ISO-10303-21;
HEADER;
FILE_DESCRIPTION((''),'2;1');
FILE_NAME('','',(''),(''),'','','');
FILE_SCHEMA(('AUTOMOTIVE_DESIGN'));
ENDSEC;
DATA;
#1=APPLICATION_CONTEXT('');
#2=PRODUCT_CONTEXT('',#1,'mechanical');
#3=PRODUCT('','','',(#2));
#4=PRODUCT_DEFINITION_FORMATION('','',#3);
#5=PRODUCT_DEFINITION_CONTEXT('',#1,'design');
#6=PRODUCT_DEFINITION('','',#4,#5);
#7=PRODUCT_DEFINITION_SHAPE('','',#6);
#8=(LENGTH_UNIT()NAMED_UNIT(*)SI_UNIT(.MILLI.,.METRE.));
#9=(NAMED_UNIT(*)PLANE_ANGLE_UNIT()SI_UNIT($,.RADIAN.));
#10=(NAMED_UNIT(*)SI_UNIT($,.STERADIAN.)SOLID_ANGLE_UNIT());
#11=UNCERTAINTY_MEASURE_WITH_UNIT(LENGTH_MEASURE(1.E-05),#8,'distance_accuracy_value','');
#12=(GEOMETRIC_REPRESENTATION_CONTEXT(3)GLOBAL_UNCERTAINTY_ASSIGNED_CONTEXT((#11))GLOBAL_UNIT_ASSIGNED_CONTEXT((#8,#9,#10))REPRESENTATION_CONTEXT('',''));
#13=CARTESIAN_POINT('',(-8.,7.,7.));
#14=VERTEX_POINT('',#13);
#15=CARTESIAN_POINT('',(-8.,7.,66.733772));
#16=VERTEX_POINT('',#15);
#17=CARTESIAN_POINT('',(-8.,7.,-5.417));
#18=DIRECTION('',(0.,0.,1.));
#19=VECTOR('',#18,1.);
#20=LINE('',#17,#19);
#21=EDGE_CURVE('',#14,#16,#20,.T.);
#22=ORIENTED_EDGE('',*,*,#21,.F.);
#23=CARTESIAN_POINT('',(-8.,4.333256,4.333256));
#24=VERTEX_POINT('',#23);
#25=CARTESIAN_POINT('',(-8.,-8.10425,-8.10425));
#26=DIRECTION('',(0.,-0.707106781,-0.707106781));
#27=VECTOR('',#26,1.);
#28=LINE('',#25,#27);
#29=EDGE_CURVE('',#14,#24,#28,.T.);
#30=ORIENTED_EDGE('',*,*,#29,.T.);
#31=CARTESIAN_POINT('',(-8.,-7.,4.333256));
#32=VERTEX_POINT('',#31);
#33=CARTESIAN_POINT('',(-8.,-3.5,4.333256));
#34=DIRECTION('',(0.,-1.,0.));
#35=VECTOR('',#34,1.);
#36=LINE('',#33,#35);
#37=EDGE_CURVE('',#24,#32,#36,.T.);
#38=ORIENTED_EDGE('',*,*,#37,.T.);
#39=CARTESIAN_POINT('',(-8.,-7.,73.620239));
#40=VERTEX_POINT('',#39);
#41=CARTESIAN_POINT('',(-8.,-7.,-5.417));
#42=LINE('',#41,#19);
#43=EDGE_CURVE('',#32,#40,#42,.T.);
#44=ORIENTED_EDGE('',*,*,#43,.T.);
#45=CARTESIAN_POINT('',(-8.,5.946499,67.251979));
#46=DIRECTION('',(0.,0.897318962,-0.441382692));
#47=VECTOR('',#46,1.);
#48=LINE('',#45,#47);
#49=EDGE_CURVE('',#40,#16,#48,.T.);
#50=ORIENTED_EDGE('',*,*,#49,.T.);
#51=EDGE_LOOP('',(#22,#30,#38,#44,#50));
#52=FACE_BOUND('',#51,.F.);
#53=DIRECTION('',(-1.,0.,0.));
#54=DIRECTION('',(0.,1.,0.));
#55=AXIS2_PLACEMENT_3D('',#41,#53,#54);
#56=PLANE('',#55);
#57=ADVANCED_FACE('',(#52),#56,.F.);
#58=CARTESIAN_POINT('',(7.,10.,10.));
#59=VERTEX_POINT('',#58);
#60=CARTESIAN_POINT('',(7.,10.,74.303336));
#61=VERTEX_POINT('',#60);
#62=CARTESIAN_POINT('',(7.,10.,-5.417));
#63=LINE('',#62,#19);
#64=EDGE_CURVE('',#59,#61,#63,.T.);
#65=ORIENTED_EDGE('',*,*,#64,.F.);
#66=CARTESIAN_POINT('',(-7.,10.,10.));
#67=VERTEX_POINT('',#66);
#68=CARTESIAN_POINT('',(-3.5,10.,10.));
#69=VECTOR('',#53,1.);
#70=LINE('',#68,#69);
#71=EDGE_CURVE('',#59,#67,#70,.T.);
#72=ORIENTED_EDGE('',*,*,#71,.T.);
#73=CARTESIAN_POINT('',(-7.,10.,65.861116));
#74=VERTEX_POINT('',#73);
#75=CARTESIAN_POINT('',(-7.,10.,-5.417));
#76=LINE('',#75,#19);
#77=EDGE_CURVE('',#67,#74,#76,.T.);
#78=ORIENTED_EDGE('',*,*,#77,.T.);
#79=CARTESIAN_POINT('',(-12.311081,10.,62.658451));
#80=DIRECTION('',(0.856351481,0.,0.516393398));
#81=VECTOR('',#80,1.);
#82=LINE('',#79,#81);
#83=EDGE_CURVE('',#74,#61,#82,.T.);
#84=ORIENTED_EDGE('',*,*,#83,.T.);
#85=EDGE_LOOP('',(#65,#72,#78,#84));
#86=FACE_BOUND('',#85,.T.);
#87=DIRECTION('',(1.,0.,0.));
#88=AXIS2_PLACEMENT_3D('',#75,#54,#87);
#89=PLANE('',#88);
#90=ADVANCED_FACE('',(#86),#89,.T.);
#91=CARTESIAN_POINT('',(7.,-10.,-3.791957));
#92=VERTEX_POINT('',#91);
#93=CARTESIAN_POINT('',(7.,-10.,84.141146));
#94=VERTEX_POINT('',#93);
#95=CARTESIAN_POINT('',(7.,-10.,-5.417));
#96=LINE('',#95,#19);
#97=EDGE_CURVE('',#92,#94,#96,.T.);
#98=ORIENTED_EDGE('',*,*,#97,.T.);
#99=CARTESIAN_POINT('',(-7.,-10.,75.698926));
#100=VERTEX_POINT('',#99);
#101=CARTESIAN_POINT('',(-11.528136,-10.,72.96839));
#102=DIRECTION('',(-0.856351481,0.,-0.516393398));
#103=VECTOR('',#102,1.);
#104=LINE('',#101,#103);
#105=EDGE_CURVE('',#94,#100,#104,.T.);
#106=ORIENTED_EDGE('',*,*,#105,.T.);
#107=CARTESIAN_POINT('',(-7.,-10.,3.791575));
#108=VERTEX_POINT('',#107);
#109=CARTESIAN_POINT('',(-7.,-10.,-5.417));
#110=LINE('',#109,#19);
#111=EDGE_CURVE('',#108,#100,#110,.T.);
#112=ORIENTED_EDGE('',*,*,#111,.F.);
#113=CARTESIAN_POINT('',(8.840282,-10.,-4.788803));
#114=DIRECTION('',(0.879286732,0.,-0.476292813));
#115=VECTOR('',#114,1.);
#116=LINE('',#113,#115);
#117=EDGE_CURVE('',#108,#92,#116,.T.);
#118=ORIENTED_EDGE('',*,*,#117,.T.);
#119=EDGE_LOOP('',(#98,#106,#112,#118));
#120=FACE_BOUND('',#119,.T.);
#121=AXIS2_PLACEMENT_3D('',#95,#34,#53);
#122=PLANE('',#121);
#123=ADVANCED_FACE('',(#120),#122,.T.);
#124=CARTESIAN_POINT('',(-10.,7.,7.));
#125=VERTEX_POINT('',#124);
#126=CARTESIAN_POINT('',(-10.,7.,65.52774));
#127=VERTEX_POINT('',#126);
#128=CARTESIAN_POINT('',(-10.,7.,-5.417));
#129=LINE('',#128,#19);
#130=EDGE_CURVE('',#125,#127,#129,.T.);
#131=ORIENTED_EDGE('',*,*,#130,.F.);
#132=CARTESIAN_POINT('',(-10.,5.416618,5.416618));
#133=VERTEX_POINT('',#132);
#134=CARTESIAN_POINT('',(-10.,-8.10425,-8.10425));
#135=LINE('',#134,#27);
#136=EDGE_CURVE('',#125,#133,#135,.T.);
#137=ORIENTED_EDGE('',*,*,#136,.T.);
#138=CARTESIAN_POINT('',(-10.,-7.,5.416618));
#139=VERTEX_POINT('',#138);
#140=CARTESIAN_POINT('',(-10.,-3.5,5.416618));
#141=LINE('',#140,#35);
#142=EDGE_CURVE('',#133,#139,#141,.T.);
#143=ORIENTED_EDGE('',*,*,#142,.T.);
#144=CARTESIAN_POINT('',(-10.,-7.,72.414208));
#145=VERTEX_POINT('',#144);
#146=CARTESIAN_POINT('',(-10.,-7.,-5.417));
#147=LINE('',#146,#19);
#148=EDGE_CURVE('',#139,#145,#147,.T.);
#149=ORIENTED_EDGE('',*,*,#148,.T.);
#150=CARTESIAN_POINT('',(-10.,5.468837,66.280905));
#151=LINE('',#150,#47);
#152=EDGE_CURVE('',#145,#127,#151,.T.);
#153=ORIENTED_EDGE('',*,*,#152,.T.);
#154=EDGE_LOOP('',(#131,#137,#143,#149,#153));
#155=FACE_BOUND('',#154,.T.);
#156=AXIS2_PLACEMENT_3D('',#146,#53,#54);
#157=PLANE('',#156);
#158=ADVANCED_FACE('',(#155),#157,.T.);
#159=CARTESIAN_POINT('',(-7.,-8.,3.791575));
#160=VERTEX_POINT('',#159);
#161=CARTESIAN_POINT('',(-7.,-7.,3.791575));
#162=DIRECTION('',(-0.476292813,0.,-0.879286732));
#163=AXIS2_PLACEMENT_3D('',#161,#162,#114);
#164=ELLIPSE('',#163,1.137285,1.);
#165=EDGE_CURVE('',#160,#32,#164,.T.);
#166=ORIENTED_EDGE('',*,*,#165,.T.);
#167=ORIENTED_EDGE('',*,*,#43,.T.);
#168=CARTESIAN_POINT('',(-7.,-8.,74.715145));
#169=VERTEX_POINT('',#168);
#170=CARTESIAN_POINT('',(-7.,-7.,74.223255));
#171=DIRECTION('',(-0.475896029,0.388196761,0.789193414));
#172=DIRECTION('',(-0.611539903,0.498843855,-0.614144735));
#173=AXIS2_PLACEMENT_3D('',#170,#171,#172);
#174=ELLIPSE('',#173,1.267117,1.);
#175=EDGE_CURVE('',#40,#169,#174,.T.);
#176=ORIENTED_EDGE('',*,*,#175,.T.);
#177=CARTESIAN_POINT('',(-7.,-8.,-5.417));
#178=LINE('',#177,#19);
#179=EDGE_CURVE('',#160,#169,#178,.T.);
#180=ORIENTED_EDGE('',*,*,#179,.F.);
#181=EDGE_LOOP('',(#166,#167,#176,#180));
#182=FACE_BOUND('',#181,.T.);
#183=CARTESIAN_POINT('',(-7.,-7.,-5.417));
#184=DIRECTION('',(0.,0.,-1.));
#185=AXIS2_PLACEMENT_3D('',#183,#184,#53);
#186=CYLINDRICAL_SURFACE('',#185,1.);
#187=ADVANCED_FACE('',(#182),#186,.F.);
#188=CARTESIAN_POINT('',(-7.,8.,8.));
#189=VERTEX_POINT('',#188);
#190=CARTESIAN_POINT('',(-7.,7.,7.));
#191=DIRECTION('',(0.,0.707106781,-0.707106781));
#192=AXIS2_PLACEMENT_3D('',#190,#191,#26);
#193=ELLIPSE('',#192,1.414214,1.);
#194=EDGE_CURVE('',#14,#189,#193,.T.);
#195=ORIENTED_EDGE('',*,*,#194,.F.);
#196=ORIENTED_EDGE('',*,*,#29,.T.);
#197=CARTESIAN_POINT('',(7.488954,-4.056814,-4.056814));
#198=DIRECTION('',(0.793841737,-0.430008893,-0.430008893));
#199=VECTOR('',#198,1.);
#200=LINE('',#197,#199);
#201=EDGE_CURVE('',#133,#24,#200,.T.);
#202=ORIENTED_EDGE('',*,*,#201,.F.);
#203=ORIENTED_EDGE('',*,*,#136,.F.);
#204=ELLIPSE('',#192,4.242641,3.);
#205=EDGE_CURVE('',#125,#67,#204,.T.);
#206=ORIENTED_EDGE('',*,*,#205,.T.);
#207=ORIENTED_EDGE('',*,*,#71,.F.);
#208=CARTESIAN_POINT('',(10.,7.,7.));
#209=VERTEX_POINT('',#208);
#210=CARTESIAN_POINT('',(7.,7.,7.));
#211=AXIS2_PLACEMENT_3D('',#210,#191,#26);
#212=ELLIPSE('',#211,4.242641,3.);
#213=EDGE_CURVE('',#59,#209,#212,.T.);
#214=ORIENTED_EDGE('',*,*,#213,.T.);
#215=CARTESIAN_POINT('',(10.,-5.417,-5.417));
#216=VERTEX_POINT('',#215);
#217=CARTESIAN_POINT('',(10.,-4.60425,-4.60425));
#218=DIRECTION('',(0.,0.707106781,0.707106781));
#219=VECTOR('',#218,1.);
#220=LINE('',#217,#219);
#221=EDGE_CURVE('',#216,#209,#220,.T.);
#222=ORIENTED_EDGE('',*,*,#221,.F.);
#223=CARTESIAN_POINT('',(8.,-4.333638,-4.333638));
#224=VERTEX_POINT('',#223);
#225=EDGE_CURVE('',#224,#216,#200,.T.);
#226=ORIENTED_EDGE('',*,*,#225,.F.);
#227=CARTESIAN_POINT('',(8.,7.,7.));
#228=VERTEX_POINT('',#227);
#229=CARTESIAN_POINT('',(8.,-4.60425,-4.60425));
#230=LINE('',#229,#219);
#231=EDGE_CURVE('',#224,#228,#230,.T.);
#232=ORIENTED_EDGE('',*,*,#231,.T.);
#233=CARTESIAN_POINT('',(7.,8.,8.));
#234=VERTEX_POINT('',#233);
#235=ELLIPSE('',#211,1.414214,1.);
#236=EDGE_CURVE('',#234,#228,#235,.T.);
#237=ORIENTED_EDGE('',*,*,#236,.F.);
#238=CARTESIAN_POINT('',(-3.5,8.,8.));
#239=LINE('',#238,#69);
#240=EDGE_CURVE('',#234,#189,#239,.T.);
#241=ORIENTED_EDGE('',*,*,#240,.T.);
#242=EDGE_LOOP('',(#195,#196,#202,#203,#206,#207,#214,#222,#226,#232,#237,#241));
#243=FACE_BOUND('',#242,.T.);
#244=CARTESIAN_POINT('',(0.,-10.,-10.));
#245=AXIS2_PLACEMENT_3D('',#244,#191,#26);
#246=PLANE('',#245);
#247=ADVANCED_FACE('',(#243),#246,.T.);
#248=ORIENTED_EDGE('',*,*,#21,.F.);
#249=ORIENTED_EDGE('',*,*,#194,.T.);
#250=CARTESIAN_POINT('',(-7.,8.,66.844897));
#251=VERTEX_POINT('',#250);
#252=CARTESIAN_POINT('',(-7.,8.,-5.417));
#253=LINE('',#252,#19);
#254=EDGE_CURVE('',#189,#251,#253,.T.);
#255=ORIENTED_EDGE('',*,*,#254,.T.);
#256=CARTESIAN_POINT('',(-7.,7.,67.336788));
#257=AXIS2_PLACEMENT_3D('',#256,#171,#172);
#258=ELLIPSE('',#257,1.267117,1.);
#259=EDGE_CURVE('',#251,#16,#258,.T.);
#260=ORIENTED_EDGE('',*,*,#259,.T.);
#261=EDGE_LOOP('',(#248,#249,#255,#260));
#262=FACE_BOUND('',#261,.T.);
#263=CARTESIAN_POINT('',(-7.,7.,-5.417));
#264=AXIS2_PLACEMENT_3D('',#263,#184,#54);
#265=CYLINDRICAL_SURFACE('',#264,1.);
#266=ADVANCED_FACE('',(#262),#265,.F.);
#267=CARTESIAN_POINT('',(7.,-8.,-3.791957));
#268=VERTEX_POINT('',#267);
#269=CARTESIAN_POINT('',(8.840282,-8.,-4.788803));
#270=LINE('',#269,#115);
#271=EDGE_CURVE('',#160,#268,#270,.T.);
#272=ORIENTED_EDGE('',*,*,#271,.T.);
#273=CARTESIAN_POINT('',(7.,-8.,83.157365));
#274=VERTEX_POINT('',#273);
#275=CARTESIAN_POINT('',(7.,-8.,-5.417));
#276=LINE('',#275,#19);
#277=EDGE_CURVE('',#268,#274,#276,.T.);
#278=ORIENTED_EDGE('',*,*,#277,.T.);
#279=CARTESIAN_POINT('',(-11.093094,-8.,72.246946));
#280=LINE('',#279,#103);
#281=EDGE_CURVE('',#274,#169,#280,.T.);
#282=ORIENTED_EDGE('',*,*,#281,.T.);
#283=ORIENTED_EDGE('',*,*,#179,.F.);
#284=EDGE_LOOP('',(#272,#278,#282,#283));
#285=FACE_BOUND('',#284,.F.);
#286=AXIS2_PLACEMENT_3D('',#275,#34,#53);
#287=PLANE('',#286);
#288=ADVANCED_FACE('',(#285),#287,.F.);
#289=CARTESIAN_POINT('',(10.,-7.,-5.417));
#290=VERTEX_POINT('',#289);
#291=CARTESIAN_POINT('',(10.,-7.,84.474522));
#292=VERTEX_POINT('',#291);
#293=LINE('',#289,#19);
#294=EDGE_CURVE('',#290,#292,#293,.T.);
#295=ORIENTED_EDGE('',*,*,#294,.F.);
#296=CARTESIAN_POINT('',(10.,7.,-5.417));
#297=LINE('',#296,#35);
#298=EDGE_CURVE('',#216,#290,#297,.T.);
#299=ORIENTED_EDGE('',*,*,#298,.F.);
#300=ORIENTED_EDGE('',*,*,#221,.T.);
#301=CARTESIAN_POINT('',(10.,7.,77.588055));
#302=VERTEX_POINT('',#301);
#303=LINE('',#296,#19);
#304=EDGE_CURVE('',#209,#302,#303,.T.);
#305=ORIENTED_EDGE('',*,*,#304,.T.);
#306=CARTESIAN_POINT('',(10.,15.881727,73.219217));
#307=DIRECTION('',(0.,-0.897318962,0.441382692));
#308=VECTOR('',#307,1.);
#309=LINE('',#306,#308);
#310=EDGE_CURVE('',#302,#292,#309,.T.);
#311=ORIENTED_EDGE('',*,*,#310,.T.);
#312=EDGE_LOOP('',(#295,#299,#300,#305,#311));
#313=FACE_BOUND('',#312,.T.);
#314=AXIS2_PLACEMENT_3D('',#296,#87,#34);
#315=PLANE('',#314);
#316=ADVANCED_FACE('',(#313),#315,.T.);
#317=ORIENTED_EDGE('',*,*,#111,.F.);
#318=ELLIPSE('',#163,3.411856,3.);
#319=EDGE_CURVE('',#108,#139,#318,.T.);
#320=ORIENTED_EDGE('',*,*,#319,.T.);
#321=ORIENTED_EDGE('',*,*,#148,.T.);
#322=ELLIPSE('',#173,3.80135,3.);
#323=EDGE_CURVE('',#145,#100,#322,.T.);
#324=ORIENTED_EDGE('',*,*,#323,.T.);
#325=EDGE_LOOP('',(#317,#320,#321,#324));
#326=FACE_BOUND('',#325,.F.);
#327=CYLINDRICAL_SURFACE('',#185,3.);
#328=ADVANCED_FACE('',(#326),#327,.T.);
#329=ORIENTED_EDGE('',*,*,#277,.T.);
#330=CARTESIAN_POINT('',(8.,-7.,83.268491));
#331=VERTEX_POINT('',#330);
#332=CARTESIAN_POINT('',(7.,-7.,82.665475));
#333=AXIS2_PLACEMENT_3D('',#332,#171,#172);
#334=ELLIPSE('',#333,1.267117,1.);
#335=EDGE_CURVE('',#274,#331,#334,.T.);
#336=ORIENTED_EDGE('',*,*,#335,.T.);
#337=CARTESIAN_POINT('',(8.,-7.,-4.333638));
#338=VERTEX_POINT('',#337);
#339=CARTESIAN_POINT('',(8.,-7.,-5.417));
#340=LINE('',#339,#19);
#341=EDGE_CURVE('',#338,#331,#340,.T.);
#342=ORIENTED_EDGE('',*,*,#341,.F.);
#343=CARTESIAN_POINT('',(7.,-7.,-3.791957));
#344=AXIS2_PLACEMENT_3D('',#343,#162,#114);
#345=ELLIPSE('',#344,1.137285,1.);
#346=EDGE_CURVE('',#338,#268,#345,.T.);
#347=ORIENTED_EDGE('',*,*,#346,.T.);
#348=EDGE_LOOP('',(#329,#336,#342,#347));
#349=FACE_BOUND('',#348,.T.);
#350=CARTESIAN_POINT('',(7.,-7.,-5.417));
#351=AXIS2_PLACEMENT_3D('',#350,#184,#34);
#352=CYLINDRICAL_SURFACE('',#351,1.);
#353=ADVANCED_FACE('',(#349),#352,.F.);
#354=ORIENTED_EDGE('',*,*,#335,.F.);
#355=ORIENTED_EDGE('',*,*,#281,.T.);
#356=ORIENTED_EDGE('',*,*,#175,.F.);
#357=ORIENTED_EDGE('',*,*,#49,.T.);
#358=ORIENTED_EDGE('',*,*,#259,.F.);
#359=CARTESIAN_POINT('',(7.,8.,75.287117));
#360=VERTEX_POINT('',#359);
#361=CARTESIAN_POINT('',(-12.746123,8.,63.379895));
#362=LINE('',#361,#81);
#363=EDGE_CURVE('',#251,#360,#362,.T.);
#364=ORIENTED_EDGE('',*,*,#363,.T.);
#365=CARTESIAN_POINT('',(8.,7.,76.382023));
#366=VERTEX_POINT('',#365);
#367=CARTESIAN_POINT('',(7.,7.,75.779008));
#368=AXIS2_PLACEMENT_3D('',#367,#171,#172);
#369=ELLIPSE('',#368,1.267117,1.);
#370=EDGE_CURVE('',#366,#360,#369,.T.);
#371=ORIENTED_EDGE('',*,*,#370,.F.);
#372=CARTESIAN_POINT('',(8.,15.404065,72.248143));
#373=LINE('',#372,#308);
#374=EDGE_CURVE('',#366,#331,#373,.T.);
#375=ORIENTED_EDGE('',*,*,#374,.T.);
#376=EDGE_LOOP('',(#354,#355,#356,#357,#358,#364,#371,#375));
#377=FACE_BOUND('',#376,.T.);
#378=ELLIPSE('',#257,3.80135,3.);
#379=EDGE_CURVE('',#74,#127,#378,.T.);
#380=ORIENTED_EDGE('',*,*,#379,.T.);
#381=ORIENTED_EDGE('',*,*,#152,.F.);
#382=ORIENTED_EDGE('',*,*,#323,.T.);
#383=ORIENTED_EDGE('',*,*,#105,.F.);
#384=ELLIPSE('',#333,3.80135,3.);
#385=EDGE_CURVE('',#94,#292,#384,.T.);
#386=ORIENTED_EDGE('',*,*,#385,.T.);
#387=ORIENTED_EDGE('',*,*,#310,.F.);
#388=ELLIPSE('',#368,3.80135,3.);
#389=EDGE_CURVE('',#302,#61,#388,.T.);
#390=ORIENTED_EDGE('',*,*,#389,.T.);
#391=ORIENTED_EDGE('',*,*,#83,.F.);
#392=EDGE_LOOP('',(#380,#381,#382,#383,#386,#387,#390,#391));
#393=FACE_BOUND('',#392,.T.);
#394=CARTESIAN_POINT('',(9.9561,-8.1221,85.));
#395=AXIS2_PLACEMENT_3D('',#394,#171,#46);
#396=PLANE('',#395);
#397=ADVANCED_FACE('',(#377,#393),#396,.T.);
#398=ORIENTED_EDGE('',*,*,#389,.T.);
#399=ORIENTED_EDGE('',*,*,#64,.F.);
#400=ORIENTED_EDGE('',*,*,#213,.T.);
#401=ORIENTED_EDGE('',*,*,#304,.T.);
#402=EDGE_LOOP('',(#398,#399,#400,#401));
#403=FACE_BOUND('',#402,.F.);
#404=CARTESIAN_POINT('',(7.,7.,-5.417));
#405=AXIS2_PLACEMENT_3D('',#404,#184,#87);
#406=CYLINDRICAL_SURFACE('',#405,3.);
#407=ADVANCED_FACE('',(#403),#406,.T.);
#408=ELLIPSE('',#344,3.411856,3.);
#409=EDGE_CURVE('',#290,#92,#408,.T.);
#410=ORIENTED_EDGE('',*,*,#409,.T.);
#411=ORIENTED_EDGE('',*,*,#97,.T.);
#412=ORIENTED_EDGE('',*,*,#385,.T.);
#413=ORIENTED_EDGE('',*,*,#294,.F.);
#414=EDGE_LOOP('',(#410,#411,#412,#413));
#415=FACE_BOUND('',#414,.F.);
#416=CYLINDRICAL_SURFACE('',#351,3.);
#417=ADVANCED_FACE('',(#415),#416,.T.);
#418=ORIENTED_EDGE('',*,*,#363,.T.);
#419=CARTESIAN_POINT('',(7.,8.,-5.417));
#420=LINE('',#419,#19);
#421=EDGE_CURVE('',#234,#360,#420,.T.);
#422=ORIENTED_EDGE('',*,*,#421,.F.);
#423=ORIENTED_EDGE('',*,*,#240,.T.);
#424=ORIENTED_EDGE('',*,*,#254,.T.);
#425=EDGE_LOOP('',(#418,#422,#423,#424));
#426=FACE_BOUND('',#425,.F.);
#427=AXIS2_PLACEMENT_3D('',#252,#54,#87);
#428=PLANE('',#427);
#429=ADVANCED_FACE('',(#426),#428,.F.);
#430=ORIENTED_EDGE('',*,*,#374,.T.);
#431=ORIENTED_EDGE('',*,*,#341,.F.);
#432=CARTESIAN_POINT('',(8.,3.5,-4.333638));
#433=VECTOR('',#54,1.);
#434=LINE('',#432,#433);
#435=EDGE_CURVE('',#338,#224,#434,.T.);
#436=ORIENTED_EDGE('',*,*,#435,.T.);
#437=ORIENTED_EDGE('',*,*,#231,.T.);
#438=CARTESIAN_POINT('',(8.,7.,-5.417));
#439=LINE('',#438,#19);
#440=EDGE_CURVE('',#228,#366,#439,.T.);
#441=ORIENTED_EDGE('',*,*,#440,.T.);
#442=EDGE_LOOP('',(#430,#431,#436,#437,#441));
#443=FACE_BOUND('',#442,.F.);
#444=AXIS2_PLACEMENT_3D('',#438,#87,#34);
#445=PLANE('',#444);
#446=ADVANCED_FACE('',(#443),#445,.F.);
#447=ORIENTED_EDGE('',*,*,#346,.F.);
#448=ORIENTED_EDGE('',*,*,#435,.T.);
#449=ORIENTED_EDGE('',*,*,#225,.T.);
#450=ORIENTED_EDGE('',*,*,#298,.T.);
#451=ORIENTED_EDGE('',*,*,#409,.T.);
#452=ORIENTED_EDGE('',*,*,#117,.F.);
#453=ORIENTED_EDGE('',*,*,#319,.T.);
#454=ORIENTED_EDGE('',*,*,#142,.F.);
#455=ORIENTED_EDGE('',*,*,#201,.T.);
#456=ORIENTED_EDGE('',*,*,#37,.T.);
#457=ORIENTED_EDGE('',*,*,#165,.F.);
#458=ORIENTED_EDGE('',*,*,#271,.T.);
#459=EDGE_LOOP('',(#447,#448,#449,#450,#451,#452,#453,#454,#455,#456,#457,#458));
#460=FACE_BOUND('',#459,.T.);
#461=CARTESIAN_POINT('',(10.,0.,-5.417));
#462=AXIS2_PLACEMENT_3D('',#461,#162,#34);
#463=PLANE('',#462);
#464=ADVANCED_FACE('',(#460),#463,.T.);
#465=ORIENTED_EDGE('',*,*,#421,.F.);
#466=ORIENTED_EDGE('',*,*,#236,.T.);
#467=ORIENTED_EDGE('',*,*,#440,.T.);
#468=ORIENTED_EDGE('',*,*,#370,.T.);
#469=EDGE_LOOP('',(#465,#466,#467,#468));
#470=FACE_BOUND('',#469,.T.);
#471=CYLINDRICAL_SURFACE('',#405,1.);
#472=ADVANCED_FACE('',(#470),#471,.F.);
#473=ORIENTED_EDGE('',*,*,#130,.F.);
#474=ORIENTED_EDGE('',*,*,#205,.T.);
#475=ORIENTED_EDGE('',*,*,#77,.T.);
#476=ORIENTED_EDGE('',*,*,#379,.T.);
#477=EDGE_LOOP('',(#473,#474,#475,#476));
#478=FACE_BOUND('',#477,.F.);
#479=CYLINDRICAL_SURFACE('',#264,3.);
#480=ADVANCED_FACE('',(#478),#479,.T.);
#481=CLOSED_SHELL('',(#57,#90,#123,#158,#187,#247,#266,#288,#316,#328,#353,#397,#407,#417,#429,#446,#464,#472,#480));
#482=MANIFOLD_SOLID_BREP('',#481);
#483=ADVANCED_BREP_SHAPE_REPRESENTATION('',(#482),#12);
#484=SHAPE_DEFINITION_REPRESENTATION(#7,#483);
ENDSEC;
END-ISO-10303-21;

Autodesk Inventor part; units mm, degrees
ref_plane "Start Plane" through (0, 0, -5.417) normal (0, 0, 1) x (1, 0, 0)
ref_plane "End Plane" through (0, 0, 85.9503) normal (0, 0, 1) x (1, 0, 0)
sketch "Sketch" plane through (0, 0, 0) normal (0, 0, 1) x (1, 0, 0)
  line L0 (-10, -7) -> (-10, 7)
  line L1 (-7, 10) -> (7, 10)
  line L2 (10, 7) -> (10, -7)
  line L3 (7, -10) -> (-7, -10)
  arc A0 (-10, -7) -> (-7, -10) centre (-7, -7) ccw
  arc A1 (-7, 10) -> (-10, 7) centre (-7, 7) ccw
  arc A2 (10, 7) -> (7, 10) centre (7, 7) ccw
  arc A3 (7, -10) -> (10, -7) centre (7, -7) ccw
  arc A4 (-7, 8) -> (-8, 7) centre (-7, 7) ccw
  line L4 (-7, 8) -> (7, 8)
  arc A5 (8, 7) -> (7, 8) centre (7, 7) ccw
  line L5 (8, 7) -> (8, -7)
  arc A6 (7, -8) -> (8, -7) centre (7, -7) ccw
  line L6 (7, -8) -> (-7, -8)
  arc A7 (-8, -7) -> (-7, -8) centre (-7, -7) ccw
  line L7 (-8, -7) -> (-8, 7)
  line L8 (0, 14.8698) -> (0, -14.8698) construction
  line L9 (-14.8698, 0) -> (14.8698, 0) construction
  dimension "d7" = 3
  dimension "d10" = 20
  dimension "d11" = 20
  dimension "d12" = 2
  dimension "d15" = 10
  dimension "d16" = 10
extrude "Body" add sketch "Sketch" along normal up to surface (91.3673 mm away) from surface at -5.417
sketch "Sketch3" plane through (0, 0, 0) normal (0, 0, 1) x (1, 0, 0)
  line L0 (0, 0) -> (10, 0)
ref_plane "Work Plane3" through (0, 0, 0) normal (0, -1, 0) x (1, 0, 0)
sketch "Sketch4" plane through (0, 0, 0) normal (0, -1, 0) x (1, 0, 0)
  line L0 (-2, -5.417) -> (12, -5.417)
  line L1 (-2, 85.9503) -> (12, 85.9503)
  dimension "d18" = 91.3673
ref_plane "Work Plane4" through (9.9561, -8.1221, 85) normal (-0.4759, 0.3882, 0.7892) x (0.8734, 0.1033, 0.4759)
split "Split1" plane through (9.9561, -8.1221, 85) removes the side toward (-0.4759, 0.3882, 0.7892)
ref_plane "Work Plane5" through (10, 0, -5.417) normal (-0.4763, 0, -0.8793) x (-0.8793, 0, 0.4763)
split "Split2" plane through (10, 0, -5.417) removes the side toward (-0.4763, 0, -0.8793)
ref_plane "Work Plane6" through (0, -10, -10) normal (0, 0.7071, -0.7071) x (1, 0, 0)
split "Split3" plane through (0, -10, -10) removes the side toward (0, 0.7071, -0.7071)
equation "\"d7\" = G_IR"
equation "\"d10\" = G_H"
equation "\"d11\" = G_W"
equation "\"d12\" = G_T"
equation "\"d15\" = 0.5 * d10"
equation "\"d16\" = 0.5 * d11"
equation "\"d3\" = G_L"
equation "\"G_W\" = 20"
equation "\"G_H\" = 20"
equation "\"G_T\" = 2"
equation "\"G_IR\" = 3"
equation "\"G_L\" = 90.40511"
equation "\"G_OFFSET_START\" = 5.41698"
equation "\"G_OFFSET_END\" = 10.95031"
equation "\"d13\" = -G_OFFSET_START"
equation "\"d14\" = G_OFFSET_END + B_L"
equation "\"B_L\" = 75"
properties part number "ISO 12633-2 - 20x20x2 - 90.41" material "Steel, Mild"
